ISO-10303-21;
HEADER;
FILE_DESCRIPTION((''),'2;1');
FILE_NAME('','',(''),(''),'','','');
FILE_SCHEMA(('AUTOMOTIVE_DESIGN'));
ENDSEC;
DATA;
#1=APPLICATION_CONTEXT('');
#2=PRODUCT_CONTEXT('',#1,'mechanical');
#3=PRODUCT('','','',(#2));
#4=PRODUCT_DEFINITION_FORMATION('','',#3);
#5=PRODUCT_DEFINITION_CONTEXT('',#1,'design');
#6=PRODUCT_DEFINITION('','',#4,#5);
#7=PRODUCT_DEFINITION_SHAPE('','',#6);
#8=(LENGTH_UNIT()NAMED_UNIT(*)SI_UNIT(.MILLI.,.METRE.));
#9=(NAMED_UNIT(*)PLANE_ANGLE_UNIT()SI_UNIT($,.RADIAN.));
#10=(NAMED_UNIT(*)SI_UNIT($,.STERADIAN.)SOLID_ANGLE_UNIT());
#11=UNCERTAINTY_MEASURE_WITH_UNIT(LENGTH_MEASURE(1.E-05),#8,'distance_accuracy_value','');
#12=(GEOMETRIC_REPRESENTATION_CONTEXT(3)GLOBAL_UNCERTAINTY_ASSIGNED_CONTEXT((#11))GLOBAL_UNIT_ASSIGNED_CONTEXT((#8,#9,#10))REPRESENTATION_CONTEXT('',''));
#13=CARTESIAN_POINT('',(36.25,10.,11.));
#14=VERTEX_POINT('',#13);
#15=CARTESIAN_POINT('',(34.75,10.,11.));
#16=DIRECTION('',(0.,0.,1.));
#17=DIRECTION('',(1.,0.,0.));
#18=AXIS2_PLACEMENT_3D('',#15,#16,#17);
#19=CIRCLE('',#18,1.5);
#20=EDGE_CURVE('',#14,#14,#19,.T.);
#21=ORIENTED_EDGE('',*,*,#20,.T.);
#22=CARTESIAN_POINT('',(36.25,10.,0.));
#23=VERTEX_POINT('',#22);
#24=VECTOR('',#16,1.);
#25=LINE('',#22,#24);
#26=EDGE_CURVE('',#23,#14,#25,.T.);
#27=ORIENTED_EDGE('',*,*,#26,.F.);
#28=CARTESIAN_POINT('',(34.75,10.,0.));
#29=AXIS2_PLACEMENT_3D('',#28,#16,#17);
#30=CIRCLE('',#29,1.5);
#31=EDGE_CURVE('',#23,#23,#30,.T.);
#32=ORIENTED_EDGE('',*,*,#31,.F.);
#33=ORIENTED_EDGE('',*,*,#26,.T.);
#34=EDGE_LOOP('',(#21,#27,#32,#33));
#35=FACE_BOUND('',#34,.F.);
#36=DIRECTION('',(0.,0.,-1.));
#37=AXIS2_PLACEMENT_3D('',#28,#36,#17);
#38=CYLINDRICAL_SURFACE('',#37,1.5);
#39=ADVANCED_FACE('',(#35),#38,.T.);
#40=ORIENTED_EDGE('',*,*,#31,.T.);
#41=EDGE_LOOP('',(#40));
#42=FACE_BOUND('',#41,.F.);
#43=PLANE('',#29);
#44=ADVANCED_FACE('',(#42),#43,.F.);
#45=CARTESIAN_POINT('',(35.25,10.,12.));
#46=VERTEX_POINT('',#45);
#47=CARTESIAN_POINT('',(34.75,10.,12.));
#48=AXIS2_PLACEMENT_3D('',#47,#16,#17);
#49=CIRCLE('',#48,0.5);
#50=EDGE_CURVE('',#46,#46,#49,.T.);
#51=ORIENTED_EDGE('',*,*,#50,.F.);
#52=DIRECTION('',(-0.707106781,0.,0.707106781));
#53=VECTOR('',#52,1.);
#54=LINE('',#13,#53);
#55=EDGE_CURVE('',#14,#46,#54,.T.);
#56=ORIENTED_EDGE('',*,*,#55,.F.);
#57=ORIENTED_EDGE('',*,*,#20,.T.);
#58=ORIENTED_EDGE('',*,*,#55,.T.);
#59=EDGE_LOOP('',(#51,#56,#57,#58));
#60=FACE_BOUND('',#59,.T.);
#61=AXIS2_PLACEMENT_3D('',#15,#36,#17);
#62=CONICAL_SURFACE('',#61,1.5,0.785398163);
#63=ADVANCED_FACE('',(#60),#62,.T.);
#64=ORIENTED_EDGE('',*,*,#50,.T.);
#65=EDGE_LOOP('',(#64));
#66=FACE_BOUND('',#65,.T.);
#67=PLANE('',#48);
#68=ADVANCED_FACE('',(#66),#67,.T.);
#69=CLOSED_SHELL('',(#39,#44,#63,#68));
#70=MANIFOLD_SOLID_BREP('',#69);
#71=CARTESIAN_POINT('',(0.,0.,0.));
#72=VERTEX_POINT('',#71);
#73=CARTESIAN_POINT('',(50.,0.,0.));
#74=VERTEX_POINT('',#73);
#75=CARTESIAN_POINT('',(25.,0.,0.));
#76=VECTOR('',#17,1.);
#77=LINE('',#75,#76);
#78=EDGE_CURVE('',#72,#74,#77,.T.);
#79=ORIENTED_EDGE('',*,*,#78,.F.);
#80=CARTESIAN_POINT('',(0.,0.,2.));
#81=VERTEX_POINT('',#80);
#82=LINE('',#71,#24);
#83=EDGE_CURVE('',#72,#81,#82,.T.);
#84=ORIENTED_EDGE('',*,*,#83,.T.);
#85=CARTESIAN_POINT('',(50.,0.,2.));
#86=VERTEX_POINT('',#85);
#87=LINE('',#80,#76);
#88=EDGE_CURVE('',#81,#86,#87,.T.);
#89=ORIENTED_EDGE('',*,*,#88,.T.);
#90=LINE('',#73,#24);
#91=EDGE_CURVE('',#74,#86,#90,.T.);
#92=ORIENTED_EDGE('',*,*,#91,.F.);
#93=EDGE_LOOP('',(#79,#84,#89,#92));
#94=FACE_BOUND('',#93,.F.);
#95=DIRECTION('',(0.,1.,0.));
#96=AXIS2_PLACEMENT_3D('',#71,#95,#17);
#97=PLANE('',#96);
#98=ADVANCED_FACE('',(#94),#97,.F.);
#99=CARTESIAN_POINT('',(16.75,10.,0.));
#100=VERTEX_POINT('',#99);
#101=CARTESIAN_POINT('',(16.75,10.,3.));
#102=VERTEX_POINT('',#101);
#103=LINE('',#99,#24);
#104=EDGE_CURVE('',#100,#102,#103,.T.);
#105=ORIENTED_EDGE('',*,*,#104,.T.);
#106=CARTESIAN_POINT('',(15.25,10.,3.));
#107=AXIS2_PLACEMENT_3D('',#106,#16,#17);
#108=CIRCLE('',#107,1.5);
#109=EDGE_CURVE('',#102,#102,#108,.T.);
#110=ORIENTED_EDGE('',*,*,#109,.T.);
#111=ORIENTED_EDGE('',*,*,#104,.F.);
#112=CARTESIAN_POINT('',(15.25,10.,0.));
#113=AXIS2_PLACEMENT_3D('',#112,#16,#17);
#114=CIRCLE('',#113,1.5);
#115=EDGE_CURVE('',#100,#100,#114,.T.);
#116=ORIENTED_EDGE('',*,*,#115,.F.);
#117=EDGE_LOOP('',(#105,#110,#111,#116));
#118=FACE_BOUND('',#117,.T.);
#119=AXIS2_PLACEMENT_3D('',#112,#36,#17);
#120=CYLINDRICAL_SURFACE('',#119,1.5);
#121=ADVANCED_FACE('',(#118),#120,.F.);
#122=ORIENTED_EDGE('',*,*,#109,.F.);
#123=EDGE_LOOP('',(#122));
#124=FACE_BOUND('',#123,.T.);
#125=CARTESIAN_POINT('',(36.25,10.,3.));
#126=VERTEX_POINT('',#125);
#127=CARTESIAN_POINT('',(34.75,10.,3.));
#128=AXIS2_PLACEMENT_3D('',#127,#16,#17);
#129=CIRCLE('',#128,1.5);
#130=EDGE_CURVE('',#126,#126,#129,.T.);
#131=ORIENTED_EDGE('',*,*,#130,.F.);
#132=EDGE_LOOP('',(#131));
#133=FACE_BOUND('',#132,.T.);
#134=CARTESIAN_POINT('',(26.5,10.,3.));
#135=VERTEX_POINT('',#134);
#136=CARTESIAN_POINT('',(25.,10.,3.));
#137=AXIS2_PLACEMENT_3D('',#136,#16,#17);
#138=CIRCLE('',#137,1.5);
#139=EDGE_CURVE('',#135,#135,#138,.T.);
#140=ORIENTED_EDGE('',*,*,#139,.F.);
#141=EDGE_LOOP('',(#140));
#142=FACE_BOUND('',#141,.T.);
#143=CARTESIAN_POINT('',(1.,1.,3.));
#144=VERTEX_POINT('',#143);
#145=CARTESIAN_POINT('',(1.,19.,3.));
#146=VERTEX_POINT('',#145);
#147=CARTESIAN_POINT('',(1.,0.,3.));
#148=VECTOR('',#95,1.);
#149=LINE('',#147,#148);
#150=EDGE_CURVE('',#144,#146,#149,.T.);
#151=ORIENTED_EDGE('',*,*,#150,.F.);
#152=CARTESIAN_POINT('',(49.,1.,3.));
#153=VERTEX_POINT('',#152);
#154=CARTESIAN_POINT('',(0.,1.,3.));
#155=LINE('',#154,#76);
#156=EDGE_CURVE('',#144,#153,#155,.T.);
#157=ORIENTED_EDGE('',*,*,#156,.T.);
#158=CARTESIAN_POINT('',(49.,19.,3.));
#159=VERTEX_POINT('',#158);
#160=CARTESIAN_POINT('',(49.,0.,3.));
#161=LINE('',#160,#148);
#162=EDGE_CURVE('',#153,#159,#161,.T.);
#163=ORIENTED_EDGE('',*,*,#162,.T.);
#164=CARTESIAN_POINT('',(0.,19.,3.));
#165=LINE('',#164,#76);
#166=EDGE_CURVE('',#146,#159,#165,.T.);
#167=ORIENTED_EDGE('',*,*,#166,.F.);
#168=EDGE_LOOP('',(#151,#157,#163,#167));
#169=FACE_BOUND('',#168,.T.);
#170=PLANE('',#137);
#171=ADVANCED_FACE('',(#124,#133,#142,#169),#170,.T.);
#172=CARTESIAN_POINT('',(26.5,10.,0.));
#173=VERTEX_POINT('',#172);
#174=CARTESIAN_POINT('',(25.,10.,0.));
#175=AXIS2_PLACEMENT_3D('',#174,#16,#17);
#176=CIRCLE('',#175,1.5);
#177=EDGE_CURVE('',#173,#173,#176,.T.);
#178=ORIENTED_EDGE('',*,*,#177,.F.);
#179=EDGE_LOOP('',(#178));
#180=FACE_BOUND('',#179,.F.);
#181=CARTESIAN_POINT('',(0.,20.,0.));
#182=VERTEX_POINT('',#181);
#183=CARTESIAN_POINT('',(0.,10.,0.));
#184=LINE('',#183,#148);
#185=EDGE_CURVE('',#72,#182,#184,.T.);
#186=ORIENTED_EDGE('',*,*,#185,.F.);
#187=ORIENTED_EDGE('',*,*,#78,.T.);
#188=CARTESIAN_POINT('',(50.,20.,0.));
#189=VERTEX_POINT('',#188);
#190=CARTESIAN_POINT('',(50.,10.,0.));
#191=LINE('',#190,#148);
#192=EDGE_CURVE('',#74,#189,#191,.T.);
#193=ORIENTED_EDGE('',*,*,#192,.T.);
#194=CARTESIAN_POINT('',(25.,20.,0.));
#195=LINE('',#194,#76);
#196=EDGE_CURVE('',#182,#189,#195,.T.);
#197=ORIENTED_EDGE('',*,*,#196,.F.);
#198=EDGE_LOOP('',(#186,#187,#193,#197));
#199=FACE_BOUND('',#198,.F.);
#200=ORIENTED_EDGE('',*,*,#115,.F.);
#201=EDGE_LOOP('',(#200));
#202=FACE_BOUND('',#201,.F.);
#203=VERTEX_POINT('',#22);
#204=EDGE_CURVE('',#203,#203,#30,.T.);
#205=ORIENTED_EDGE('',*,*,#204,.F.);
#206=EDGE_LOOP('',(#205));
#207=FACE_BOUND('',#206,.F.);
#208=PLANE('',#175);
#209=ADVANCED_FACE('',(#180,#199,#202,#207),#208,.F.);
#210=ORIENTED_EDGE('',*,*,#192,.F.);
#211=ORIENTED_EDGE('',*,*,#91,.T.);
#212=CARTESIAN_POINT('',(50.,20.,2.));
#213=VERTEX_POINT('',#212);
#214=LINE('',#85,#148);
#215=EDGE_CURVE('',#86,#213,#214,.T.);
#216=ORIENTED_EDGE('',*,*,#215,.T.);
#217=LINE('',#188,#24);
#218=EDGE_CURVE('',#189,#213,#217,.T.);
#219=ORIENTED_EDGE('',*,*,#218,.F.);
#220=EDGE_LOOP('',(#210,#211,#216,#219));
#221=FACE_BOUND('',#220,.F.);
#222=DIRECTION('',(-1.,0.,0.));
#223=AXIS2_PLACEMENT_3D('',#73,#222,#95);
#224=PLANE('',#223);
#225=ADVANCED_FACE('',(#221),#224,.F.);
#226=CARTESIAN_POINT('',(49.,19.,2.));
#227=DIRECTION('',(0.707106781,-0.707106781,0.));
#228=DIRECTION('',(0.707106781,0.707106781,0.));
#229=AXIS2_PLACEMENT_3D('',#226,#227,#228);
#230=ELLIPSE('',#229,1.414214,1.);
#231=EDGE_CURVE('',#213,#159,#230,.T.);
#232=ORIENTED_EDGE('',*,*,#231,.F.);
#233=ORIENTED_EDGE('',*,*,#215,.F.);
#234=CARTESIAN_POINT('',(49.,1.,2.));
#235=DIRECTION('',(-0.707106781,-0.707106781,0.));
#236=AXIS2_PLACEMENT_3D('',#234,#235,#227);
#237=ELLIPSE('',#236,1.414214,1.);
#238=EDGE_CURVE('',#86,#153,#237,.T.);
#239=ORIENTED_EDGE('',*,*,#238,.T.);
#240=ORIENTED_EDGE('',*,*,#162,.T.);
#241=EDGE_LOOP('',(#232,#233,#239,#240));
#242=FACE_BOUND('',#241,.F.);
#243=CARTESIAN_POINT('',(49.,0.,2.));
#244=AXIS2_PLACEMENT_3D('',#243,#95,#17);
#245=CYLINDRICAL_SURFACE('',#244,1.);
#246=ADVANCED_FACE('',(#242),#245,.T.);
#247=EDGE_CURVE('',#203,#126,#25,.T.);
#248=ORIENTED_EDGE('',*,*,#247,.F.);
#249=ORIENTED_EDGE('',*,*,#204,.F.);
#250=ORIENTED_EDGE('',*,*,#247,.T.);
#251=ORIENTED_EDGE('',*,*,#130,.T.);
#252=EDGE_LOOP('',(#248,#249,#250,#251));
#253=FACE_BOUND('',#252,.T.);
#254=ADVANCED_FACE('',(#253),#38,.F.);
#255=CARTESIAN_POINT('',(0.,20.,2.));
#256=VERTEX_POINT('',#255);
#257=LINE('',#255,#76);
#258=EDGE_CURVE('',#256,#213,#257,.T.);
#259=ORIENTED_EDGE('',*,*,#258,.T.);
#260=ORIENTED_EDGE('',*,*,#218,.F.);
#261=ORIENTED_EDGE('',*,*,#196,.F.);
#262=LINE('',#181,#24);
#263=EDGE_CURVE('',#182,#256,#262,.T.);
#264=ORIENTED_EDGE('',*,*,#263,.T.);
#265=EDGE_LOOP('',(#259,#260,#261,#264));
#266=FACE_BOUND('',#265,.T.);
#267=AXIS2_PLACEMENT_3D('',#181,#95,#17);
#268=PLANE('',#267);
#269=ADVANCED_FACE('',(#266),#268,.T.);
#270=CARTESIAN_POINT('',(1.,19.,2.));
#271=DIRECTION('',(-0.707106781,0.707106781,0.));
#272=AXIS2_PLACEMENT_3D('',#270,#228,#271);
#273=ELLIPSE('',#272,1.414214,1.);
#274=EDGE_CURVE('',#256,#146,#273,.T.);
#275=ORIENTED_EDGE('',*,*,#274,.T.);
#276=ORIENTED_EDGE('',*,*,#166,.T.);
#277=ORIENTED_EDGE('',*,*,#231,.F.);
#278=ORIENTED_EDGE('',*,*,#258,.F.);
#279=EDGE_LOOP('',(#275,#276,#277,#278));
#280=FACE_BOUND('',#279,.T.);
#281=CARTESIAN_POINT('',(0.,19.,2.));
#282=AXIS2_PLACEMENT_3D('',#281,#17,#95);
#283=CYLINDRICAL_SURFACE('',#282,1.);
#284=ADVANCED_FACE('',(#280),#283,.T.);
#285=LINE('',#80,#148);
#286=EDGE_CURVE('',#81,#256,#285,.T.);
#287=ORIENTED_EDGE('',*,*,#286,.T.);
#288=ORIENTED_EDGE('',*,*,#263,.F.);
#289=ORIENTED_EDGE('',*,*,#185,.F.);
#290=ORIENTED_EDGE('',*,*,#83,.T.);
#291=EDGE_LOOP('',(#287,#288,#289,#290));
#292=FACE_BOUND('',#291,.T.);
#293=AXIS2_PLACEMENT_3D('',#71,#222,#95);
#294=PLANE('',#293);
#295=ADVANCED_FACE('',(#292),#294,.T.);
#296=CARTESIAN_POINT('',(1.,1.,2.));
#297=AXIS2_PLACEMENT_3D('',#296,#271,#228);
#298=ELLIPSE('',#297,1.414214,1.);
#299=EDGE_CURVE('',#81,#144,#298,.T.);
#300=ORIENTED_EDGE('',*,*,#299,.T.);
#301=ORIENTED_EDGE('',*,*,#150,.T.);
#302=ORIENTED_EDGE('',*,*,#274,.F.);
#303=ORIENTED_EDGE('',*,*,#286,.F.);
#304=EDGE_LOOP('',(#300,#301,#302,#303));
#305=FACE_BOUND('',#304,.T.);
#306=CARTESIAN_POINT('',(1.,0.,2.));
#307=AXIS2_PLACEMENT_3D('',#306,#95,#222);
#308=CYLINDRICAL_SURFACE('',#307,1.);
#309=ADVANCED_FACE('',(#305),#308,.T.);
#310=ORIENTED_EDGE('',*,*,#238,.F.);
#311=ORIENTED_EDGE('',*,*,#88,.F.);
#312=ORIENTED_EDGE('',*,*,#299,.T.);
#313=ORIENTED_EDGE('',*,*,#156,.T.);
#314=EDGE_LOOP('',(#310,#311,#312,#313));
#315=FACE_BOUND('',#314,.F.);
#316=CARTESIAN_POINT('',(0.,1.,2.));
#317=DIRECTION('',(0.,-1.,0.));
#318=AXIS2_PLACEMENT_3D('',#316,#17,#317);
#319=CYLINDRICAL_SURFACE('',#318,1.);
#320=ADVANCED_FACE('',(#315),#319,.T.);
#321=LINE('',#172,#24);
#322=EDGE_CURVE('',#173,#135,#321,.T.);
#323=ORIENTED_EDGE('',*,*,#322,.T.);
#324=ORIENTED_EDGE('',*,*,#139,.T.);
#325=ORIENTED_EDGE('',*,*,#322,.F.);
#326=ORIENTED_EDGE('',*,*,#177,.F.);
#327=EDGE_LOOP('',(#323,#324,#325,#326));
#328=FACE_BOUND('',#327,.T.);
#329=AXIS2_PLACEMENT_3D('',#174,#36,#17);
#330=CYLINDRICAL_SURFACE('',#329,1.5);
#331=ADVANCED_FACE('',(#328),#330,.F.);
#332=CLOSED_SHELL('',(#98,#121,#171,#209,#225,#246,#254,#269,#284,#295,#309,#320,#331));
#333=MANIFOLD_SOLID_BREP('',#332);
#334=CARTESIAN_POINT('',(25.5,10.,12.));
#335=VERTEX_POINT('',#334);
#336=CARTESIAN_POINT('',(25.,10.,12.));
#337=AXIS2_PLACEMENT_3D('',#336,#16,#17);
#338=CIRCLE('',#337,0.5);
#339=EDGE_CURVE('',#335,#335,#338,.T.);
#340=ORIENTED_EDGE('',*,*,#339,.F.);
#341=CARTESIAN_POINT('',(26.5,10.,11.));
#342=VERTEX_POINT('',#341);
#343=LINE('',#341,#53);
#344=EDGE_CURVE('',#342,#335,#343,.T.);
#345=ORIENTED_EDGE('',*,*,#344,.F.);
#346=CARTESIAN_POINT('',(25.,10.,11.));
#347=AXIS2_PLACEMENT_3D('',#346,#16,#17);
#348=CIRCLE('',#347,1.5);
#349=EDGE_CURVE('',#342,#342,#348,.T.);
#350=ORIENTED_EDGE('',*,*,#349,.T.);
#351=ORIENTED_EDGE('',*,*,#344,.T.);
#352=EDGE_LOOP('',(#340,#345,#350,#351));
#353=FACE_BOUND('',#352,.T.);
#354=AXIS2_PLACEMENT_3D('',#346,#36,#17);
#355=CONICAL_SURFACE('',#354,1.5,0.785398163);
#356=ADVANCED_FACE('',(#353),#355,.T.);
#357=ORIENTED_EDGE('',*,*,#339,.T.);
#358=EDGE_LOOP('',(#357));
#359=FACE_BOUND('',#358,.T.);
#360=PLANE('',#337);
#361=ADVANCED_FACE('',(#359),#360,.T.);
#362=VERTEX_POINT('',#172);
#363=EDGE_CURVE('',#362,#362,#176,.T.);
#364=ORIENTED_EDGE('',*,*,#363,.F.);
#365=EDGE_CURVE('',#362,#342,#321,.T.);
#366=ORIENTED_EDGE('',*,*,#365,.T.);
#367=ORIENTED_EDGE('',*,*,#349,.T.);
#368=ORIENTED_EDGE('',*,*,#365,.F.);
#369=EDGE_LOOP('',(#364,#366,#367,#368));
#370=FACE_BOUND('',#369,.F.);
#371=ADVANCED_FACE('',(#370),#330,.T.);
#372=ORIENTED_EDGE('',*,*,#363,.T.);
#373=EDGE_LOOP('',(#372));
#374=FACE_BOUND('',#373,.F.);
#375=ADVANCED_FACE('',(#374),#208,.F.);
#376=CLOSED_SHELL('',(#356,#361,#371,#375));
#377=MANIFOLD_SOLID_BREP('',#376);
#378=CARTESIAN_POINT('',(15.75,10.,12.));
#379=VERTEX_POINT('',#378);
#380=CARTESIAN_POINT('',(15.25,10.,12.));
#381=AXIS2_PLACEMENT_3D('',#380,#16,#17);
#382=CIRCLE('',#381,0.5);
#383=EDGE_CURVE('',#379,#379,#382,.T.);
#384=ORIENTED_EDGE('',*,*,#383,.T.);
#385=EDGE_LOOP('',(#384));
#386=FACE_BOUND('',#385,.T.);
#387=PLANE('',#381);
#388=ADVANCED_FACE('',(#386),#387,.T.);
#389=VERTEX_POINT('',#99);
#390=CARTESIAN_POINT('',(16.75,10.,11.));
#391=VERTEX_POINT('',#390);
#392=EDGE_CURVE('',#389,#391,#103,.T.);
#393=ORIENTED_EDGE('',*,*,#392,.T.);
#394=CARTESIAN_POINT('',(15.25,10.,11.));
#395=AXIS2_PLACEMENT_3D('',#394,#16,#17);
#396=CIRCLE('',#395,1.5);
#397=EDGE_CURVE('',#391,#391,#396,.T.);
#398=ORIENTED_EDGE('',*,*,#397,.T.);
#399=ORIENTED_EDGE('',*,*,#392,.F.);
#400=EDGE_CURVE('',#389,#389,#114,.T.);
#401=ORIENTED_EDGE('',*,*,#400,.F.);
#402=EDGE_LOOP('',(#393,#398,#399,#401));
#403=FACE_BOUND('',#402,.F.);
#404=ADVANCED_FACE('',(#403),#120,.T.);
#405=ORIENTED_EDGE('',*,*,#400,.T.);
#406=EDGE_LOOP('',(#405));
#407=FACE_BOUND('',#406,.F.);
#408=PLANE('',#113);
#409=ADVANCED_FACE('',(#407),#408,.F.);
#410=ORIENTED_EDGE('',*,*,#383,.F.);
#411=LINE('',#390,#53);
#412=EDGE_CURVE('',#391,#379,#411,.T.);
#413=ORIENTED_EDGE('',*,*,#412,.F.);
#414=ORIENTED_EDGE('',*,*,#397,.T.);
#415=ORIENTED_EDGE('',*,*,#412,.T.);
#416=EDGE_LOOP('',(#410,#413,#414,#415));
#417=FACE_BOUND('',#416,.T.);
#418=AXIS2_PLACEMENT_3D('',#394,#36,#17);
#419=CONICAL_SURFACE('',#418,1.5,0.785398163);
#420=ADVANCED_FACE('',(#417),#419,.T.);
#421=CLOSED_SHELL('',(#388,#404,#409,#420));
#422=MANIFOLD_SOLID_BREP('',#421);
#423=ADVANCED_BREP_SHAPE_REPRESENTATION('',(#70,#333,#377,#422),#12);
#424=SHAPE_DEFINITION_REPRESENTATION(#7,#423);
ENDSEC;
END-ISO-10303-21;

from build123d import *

# Parameters (mm, degrees)
F0_R     = 1.5
F1_DEPTH = 12
F0_W     = 50
F0_H     = 20
F2_DEPTH = 3
F3_R     = 1
F4_SIZE  = 1


with BuildPart() as f1:
    # F0 (on Top) → F1 (new body)
    with BuildSketch(Plane.XY):
        with Locations((34.75, 10)):
            Circle(F0_R)
        with Locations((25, 10)):
            Circle(F0_R)
        with Locations((15.25, 10)):
            Circle(F0_R)
    extrude(amount=F1_DEPTH)

    # F4
    f4_edges = [f1.edges().sort_by_distance(p)[0] for p in [
        (33.25, 10, 12),
        (23.5, 10, 12),
        (13.75, 10, 12),
    ]]
    chamfer(f4_edges, length=F4_SIZE)


with BuildPart() as f2:
    # F0 (on Top) → F2 (new body)
    with BuildSketch(Plane.XY):
        with Locations((25, 10)):
            Rectangle(F0_W, F0_H)
        with Locations((15.25, 10)):
            Circle(F0_R, mode=Mode.SUBTRACT)
        with Locations((25, 10)):
            Circle(F0_R, mode=Mode.SUBTRACT)
        with Locations((34.75, 10)):
            Circle(F0_R, mode=Mode.SUBTRACT)
    extrude(amount=F2_DEPTH)

    # F3
    f3_edges = [f2.edges().sort_by_distance(p)[0] for p in [
        (25, 0, 3),
        (0, 10, 3),
        (25, 20, 3),
        (50, 10, 3),
    ]]
    fillet(f3_edges, radius=F3_R)


solid = Compound([f1.part, f2.part])
